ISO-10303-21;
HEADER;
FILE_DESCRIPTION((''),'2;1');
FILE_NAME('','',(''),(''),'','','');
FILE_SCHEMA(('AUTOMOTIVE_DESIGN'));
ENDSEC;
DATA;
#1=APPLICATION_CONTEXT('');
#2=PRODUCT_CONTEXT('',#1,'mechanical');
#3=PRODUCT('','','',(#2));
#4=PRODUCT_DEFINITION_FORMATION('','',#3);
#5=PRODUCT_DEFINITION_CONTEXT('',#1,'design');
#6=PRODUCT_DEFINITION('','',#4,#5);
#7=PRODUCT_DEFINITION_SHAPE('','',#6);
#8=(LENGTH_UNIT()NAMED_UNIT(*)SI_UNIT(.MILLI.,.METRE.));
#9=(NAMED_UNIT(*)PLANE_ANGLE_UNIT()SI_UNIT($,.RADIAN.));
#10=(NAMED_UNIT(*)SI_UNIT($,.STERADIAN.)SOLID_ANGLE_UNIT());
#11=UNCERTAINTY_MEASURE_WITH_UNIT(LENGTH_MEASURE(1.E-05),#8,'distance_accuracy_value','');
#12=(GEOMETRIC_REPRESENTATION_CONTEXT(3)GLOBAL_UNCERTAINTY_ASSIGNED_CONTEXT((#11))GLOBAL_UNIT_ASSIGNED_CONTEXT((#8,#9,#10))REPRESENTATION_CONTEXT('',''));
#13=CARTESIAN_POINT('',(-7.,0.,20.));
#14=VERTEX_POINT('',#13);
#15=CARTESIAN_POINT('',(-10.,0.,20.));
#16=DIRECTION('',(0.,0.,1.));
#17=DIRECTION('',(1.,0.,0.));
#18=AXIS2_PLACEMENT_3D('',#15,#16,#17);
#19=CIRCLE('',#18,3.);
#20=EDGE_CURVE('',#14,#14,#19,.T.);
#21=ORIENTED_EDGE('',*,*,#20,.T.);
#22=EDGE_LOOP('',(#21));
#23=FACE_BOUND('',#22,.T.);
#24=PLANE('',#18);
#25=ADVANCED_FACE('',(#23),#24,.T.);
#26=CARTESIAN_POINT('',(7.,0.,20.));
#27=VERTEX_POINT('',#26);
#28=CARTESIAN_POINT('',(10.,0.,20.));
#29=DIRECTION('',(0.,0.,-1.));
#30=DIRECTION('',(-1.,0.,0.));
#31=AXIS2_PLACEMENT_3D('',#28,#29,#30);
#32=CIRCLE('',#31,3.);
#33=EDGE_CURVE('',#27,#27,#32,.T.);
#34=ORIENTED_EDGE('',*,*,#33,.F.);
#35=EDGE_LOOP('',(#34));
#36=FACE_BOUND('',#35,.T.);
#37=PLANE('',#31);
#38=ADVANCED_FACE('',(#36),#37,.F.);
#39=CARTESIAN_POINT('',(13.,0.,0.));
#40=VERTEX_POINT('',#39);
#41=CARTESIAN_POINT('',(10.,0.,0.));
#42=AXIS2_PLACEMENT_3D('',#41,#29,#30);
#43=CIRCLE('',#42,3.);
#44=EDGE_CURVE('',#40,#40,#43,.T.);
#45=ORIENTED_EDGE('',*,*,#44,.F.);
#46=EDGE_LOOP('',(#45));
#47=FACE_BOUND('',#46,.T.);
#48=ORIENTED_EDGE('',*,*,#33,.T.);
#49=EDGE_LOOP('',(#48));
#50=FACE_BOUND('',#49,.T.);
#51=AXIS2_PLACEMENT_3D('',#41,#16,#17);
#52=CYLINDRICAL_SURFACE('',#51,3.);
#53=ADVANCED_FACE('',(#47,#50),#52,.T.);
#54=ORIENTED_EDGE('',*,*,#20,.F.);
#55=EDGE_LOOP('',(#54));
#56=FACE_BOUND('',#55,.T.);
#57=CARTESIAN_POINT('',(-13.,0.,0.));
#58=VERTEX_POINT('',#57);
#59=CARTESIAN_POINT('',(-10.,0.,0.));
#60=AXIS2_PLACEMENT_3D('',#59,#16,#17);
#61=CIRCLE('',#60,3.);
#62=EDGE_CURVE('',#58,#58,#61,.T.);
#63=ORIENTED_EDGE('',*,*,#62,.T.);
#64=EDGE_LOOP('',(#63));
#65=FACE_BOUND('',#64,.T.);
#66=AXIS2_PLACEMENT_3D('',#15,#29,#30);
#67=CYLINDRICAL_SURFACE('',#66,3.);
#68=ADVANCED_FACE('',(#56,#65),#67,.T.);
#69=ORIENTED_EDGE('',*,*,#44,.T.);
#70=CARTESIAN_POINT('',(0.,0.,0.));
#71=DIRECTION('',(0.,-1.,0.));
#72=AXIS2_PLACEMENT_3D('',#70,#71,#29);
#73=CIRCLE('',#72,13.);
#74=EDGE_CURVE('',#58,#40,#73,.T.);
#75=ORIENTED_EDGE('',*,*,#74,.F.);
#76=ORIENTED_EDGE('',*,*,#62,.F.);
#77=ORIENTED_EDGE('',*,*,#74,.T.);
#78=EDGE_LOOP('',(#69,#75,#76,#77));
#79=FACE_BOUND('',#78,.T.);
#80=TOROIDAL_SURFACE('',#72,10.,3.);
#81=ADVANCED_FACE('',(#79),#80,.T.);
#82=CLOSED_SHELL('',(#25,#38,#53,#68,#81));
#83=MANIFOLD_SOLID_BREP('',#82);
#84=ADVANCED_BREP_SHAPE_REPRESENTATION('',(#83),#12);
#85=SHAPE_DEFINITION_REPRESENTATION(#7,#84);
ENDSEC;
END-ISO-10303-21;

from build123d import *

# Parameters (mm, degrees)
SWEEP1_PROFILE_R = 3


with BuildPart() as part:
    # Sweep1: sweep along a path in Sketch1
    with BuildLine(Plane(origin=(0, 0, 0), x_dir=(1, 0, 0), z_dir=(0, 1, 0))) as sweep1_path:
        Line((-10, -20), (-10, 0))
        ThreePointArc((-10, 0), (0, 10), (10, 0))
        Line((10, 0), (10, -20))
    # Sweep1 profile (on start of the path) → Sweep1 (sweep)
    with BuildSketch(Plane(origin=(-10, 0, 20), x_dir=(-1, 0, 0), z_dir=(0, 0, -1))):
        Circle(SWEEP1_PROFILE_R)
    sweep(path=sweep1_path.line)


solid = part.part
